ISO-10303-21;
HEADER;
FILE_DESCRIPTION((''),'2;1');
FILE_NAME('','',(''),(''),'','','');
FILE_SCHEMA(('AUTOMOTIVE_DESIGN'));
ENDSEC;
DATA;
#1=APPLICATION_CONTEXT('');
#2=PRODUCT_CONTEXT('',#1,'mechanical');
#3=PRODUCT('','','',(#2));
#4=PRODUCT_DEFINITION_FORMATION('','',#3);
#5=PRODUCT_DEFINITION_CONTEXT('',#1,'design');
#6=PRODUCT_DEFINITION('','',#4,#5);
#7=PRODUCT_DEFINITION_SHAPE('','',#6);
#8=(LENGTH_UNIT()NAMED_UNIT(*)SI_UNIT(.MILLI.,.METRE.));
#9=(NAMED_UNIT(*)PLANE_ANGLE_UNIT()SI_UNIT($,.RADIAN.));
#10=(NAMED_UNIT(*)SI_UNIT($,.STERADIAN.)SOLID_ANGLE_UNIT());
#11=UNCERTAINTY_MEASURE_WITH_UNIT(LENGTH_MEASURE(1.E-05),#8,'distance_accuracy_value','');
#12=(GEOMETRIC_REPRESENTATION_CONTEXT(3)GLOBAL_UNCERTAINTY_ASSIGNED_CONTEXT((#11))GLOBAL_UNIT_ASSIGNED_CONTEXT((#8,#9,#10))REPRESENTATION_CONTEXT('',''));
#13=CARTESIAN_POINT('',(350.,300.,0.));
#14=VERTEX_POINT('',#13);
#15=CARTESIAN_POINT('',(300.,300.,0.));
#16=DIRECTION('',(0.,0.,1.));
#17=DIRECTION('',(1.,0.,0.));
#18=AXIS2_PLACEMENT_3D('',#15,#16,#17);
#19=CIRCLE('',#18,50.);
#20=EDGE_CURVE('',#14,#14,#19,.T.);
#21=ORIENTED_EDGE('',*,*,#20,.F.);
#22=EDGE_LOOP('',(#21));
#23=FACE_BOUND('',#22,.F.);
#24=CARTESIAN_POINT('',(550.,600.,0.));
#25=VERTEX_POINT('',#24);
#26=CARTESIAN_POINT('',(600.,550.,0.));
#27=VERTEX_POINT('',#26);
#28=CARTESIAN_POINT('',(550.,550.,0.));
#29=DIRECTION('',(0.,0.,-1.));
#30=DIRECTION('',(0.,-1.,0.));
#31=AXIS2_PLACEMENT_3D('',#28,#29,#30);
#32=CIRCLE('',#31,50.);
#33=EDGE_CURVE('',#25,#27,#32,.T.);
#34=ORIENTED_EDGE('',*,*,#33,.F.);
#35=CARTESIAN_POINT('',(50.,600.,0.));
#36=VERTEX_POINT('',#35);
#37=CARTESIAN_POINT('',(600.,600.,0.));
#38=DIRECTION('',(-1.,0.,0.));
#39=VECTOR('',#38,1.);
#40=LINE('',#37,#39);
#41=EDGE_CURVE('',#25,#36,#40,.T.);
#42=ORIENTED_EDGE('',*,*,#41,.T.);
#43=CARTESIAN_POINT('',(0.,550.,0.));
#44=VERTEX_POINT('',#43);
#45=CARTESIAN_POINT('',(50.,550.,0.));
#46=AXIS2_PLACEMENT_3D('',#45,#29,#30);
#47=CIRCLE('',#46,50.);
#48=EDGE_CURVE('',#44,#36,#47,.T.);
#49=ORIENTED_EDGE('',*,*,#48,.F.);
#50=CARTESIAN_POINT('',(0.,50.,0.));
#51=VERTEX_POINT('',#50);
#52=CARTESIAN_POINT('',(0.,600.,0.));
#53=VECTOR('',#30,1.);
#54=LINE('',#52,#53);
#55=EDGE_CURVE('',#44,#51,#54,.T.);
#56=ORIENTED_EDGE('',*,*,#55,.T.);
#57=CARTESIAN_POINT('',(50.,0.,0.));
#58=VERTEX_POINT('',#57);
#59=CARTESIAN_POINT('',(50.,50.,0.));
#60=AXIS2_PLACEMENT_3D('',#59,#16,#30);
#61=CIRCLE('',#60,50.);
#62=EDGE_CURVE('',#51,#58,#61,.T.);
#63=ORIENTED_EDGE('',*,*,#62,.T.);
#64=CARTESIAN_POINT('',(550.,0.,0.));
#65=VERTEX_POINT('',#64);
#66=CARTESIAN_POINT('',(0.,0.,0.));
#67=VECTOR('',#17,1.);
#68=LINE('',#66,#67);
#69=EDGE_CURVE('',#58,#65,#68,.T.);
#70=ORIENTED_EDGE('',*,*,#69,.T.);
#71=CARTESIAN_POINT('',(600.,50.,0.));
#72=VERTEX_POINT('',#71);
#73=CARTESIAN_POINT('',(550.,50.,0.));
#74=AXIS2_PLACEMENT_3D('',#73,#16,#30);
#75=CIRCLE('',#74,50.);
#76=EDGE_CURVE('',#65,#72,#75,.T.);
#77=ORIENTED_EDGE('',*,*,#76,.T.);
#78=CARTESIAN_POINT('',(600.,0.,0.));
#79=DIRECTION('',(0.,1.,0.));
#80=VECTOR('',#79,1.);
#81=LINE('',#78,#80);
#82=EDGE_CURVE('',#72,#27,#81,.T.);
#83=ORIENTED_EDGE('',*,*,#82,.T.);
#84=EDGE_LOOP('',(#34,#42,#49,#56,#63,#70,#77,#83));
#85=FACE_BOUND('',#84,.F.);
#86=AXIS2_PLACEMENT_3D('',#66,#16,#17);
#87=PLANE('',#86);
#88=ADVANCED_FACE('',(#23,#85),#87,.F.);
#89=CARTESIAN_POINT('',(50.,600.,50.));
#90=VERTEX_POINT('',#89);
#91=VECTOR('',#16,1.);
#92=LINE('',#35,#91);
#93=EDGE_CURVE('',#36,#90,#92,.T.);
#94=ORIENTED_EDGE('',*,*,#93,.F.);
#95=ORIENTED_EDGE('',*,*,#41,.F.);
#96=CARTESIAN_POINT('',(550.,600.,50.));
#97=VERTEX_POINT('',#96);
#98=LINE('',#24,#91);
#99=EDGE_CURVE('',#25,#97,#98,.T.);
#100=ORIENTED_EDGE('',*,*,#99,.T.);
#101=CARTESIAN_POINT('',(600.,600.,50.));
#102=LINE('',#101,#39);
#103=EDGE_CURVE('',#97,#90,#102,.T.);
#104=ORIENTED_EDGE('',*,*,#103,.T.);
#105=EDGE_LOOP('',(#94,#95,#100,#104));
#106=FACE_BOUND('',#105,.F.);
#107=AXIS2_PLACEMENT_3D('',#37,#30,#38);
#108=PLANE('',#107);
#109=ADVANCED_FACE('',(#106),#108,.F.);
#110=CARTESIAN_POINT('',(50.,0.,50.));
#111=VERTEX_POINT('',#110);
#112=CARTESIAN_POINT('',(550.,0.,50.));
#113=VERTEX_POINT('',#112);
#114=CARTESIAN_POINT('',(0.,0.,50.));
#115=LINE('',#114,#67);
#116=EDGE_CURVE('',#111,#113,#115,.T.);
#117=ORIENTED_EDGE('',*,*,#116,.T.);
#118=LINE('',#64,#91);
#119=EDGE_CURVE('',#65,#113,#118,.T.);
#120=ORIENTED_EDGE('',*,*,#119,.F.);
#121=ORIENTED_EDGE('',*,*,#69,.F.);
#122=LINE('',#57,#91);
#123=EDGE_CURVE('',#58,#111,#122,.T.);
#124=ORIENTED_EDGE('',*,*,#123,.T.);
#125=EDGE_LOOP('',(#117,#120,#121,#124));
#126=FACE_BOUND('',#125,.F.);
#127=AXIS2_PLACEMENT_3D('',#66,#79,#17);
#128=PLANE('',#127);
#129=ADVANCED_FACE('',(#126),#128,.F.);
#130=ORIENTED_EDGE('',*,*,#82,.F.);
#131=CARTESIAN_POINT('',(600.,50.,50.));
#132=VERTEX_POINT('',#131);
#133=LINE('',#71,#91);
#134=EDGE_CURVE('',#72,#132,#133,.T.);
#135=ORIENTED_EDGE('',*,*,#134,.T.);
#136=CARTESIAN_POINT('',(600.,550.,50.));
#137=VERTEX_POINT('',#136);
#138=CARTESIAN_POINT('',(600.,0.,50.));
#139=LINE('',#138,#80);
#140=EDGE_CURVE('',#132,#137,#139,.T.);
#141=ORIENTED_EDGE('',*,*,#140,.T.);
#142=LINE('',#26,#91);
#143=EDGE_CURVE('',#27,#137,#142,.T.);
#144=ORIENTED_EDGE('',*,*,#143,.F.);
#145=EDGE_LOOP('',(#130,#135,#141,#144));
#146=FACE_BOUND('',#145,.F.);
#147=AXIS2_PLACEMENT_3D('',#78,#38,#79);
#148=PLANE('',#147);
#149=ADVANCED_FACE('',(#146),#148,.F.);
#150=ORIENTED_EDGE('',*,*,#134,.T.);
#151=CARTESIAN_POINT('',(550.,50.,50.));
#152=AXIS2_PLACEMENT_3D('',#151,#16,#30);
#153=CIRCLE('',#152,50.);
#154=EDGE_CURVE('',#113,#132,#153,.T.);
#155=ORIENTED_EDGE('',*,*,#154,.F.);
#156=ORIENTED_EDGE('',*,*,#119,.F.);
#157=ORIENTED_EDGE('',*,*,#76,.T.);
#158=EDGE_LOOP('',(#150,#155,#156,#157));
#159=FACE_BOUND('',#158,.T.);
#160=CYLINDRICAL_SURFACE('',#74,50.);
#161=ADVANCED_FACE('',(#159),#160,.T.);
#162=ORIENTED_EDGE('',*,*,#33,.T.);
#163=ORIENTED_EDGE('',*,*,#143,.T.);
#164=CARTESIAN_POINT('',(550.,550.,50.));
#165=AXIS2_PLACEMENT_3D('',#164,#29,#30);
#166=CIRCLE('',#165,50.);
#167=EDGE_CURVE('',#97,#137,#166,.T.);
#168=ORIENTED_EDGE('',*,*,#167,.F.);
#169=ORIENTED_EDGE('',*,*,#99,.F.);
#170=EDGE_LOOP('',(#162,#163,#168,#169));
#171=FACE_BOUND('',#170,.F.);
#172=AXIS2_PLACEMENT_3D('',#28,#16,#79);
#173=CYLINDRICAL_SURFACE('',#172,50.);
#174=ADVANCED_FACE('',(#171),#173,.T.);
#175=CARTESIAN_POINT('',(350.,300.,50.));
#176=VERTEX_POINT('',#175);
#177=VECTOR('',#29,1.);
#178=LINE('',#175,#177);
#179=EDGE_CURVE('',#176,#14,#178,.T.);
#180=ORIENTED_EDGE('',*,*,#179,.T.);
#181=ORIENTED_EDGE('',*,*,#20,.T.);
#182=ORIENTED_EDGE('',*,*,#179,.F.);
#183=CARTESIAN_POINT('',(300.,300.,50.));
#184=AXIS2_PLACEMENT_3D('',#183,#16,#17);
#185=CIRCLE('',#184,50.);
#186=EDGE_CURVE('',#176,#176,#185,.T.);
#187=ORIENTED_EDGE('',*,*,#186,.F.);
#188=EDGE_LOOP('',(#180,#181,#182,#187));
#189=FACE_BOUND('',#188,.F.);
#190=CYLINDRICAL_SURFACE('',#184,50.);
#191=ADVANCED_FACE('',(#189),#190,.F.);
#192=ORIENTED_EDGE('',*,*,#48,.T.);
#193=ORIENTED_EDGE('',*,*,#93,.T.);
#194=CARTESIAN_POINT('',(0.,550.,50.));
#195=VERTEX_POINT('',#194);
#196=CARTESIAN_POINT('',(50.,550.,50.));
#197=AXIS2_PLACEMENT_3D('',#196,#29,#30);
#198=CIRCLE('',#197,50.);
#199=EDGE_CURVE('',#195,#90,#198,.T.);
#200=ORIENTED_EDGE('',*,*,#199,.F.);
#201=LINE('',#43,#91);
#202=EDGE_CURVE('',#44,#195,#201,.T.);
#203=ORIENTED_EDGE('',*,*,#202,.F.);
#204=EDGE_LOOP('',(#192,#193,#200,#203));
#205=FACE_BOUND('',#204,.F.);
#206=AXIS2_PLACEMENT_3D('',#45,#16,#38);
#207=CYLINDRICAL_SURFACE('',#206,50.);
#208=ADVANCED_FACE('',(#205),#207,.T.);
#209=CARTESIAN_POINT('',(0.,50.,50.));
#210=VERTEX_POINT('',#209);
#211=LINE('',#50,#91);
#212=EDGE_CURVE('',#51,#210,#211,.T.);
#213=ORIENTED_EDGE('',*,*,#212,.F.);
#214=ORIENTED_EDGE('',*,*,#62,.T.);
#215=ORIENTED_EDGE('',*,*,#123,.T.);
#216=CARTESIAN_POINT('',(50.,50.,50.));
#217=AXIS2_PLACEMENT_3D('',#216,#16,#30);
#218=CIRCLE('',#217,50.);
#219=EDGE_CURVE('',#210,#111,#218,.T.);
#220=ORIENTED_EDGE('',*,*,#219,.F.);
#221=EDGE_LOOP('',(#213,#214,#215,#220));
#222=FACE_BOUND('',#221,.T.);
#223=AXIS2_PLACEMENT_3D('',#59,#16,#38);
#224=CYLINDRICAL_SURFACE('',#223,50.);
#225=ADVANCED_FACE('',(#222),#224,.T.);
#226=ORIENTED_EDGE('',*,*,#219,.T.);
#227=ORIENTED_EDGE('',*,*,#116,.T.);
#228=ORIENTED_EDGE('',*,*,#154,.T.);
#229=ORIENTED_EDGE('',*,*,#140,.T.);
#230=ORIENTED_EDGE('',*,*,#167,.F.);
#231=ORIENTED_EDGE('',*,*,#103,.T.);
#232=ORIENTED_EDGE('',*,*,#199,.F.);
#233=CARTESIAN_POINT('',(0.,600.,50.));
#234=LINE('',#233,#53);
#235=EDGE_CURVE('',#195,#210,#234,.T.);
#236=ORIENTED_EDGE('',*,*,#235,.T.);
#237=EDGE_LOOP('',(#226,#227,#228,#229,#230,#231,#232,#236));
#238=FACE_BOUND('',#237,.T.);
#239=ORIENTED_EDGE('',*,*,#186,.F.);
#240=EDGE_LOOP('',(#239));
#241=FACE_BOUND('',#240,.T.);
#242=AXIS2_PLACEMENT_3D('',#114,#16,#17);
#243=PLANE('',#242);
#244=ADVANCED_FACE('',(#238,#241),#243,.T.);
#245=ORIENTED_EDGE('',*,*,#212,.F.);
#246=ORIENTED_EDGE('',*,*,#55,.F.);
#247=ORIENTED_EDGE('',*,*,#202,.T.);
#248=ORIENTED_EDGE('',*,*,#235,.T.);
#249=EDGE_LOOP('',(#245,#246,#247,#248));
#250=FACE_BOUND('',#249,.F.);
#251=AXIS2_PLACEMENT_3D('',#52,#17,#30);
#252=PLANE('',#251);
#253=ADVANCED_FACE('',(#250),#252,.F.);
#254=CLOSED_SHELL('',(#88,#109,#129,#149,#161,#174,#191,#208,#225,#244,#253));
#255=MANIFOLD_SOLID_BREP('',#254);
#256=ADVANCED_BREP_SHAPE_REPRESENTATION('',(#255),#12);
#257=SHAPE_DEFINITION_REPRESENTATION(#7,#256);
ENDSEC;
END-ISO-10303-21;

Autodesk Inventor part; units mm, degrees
ref_plane "YZ Plane" through (0, 0, 0) normal (1, 0, 0) x (0, 1, 0)
ref_plane "XZ Plane" through (0, 0, 0) normal (0, 1, 0) x (-1, 0, 0)
ref_plane "XY Plane" through (0, 0, 0) normal (0, 0, 1) x (1, 0, 0)
sketch "Sketch1" plane through (0, 0, 0) normal (0, 0, 1) x (1, 0, 0)
  line L0 (0, 0) -> (600, 0)
  line L1 (600, 0) -> (600, 600)
  line L2 (600, 600) -> (0, 600)
  line L3 (0, 600) -> (0, 0)
  circle A0 centre (300, 300) radius 50
  dimension "d0" = 600
  dimension "d1" = 600
  dimension "d5" = 100
extrude "Extrusion1" add sketch "Sketch1" along normal blind 50 contours L3 L2 L1 L0 | A0
fillet "Fillet1" radius 50 4 edges at (0, 600, 25) (600, 600, 25) (600, 0, 25) (0, 0, 25)
sketch "Sketch2" plane through (0, 0, 50) normal (0, 0, 1) x (1, 0, 0)
  circle A0 centre (300, 300) radius 50
  line L0 (50, 0) -> (550, 0) projected
  line L1 (550, 600) -> (50, 600) projected
  line L2 (600, 50) -> (600, 550) projected
  point P0 (0, 0)
  point P1 (300, 0)
  dimension "d6" = 100
  dimension "d7" = 300
  dimension "d8" = 300
  dimension "d9" = 300
extrude "Extrusion2" cut sketch "Sketch2" against normal through all
properties part number "Part1Grroundfinal"
